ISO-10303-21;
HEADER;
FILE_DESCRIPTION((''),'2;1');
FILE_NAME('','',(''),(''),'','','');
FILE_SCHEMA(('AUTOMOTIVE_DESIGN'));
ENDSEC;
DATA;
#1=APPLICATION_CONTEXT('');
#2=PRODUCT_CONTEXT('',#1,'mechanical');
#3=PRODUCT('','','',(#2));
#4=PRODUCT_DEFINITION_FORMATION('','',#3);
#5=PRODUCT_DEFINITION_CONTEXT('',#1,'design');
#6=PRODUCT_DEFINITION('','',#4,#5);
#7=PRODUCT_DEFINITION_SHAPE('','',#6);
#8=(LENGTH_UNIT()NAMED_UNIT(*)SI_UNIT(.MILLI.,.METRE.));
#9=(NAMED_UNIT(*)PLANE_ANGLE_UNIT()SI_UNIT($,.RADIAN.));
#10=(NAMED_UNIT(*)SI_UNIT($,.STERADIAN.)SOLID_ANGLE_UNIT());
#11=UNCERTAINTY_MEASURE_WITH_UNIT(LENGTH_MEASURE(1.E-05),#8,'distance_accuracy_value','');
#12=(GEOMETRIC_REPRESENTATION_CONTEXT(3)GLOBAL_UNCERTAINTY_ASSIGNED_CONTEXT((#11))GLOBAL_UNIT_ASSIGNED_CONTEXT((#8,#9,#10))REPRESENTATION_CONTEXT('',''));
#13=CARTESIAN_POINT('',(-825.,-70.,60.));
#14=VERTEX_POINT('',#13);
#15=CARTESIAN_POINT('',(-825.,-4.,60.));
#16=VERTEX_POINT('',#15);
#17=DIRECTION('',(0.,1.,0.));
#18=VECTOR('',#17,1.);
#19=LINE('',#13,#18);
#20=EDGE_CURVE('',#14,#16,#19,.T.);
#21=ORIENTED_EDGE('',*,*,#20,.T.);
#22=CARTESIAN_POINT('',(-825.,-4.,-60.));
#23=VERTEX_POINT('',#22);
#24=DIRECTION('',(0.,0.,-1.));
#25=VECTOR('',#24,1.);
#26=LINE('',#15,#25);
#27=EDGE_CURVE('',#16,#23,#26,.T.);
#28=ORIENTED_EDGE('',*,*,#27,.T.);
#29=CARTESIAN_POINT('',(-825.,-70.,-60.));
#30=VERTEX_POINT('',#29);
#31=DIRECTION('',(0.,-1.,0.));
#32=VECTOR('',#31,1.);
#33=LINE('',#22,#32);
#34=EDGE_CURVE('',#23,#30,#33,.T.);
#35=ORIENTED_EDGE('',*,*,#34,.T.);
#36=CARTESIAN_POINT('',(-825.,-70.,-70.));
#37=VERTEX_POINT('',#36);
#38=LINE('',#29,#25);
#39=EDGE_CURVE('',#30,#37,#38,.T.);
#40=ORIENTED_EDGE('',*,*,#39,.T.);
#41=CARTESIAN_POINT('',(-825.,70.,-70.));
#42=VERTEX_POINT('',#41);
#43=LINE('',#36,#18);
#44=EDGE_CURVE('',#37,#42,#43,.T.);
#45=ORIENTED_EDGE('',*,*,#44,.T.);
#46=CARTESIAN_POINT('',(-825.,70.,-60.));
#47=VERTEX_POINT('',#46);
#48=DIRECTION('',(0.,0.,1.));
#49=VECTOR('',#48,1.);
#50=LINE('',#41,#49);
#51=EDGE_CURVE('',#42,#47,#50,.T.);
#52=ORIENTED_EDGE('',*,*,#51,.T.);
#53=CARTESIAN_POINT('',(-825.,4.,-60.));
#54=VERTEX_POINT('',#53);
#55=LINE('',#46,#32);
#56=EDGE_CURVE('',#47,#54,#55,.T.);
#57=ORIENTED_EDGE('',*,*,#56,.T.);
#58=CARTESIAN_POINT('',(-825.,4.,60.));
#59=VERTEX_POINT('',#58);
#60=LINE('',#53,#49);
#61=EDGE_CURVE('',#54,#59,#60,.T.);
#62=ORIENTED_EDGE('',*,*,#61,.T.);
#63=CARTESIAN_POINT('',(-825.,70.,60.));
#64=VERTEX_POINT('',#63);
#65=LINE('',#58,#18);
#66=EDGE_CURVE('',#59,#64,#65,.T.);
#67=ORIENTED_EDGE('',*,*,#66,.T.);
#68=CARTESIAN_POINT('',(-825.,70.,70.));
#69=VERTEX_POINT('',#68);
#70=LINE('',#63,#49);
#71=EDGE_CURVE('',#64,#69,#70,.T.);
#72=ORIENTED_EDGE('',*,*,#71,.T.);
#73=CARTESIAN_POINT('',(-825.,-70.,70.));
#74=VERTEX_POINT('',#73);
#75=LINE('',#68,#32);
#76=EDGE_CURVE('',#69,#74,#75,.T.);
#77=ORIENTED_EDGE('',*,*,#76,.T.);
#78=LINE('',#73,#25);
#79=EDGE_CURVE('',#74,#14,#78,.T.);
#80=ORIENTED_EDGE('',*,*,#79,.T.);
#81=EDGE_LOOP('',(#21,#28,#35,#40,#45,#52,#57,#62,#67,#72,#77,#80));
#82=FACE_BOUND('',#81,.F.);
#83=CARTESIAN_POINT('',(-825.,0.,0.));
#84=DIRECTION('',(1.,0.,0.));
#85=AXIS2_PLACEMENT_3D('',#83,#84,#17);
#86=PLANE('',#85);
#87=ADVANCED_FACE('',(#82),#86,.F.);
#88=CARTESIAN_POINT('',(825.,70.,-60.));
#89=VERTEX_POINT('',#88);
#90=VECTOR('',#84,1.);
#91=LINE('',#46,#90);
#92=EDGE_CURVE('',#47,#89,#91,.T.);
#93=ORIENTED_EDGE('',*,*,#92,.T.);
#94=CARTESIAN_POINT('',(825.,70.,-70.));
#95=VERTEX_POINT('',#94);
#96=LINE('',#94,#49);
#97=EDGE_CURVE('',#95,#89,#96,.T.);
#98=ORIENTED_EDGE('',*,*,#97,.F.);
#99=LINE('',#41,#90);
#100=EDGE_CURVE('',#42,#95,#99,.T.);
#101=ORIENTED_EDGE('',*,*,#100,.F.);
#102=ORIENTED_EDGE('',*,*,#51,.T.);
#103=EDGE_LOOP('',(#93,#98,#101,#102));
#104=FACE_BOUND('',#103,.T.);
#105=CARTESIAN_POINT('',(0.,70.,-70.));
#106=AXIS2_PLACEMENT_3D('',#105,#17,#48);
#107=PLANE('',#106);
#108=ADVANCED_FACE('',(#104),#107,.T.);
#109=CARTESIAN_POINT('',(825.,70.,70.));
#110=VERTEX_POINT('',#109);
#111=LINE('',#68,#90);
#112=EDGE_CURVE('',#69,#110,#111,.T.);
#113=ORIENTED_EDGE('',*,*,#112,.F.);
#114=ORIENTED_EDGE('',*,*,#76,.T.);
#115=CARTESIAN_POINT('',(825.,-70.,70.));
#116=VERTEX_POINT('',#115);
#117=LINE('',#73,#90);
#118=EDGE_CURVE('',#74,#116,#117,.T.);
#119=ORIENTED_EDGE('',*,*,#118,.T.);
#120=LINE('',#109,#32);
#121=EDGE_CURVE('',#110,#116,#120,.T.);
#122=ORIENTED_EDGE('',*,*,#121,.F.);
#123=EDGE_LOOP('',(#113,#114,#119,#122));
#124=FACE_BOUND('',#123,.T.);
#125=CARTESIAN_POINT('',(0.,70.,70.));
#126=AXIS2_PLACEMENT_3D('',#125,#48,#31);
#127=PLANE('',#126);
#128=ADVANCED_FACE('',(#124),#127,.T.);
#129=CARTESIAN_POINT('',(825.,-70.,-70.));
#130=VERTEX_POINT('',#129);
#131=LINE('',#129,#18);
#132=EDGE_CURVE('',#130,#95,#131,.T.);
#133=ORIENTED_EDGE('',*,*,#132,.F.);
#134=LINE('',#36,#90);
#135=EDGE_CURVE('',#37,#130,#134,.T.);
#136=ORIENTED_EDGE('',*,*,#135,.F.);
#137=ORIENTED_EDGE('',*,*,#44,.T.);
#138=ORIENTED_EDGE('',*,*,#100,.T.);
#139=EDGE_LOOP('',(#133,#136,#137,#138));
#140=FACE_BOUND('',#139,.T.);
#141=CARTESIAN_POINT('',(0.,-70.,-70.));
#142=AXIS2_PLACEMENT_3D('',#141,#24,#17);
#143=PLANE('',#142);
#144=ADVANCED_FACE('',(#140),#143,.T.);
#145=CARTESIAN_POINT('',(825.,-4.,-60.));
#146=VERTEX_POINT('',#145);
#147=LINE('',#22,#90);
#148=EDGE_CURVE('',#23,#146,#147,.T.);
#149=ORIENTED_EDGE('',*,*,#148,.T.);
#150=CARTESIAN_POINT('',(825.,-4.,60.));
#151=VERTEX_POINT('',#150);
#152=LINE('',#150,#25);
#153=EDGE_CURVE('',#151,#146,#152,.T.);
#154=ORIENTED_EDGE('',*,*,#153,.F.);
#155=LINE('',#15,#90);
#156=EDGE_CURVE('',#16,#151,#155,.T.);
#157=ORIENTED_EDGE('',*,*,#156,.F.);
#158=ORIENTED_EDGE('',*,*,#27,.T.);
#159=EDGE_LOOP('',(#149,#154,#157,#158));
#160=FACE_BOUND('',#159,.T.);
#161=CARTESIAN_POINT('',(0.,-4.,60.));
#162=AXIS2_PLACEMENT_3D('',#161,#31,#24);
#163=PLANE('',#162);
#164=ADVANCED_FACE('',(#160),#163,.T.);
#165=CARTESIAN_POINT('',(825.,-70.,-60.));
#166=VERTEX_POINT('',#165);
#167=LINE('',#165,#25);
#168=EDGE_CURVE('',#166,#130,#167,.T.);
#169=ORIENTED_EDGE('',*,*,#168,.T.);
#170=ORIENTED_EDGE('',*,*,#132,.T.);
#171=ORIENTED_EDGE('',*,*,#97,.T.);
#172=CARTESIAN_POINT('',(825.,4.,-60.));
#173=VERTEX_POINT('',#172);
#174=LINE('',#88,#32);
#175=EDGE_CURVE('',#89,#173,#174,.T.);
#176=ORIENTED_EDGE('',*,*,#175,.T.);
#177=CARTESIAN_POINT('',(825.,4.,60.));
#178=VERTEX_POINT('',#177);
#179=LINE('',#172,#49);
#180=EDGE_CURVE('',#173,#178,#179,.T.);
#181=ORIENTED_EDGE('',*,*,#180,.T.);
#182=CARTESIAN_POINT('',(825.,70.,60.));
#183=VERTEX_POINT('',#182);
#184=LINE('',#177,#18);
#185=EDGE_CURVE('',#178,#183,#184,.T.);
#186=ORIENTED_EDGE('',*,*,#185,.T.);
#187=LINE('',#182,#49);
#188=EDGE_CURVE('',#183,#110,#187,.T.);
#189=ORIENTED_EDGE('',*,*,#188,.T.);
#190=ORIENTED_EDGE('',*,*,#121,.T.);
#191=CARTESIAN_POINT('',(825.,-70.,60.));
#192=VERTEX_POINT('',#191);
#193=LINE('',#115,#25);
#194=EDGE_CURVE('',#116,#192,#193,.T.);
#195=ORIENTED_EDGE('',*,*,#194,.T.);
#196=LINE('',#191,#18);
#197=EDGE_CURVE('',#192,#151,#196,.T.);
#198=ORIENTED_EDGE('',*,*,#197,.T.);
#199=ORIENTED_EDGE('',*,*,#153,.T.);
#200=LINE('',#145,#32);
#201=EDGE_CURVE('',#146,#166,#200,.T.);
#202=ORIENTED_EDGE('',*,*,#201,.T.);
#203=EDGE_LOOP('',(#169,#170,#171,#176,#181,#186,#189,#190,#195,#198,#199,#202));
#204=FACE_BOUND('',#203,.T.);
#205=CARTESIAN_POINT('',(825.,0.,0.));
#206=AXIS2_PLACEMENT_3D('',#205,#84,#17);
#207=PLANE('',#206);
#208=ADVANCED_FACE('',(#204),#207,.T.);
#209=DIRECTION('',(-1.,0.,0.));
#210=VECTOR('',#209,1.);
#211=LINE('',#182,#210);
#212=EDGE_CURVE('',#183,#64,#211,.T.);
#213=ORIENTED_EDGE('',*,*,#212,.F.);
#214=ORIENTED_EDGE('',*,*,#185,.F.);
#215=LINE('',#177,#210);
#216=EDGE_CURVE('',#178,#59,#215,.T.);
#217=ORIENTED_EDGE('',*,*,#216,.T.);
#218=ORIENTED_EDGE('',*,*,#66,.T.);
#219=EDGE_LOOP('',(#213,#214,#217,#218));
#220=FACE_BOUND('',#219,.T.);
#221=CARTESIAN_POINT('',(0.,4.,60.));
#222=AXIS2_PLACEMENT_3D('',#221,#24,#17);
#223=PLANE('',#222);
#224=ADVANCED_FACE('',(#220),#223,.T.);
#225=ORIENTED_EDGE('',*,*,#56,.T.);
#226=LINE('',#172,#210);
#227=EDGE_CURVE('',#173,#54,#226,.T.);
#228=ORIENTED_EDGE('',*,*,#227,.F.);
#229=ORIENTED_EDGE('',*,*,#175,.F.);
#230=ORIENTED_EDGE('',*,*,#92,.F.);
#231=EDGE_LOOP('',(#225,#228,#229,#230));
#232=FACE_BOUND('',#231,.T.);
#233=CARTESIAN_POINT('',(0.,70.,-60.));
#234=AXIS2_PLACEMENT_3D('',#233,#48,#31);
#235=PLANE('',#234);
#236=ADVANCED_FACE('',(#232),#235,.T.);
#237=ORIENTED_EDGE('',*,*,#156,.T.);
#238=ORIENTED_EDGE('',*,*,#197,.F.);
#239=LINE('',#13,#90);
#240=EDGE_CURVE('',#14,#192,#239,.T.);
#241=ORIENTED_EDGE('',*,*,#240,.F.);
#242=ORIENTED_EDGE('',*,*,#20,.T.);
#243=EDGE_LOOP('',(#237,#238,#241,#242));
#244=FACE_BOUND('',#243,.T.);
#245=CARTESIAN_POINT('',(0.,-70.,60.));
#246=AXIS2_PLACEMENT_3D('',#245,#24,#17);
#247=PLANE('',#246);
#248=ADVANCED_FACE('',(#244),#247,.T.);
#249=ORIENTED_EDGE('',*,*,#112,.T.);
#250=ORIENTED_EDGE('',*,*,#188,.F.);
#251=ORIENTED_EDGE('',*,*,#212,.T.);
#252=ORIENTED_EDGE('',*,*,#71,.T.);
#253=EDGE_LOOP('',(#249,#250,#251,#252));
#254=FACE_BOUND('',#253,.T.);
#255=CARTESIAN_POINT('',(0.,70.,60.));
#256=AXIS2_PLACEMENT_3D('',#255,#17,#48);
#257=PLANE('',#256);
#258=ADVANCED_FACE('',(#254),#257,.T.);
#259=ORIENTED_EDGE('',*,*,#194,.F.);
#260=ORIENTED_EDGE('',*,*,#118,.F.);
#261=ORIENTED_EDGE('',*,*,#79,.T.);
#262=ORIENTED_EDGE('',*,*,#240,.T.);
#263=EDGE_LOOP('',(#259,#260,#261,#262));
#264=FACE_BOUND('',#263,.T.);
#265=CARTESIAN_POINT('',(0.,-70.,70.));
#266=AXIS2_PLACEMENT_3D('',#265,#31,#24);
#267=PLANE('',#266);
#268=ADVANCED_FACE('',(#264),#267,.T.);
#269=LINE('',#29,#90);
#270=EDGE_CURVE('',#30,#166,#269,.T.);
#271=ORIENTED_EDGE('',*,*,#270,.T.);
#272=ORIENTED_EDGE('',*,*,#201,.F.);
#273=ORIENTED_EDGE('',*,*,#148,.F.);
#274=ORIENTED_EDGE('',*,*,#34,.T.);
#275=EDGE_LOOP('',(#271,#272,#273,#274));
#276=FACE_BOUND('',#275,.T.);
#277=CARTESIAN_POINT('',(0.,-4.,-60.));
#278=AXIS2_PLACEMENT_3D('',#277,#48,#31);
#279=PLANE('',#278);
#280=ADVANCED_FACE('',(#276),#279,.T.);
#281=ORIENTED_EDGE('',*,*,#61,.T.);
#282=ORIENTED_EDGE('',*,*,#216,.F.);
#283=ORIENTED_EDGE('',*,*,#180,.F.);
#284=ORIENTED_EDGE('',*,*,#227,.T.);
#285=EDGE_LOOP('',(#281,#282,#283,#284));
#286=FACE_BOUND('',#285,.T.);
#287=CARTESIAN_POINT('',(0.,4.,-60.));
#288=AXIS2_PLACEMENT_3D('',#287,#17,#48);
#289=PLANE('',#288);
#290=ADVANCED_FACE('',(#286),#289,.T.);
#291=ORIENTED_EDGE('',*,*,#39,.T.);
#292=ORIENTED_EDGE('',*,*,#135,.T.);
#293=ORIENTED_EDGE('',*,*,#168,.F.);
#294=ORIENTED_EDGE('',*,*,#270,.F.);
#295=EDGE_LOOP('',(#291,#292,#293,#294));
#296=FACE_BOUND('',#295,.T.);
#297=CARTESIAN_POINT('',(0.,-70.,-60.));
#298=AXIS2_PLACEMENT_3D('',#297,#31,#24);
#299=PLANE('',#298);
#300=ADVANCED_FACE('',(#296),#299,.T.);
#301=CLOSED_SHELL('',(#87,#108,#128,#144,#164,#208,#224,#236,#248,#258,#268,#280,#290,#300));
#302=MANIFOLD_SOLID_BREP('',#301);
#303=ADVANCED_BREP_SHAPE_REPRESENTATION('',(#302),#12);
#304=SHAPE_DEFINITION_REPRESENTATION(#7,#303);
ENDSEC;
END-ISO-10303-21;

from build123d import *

# Parameters (mm, degrees)
F1_DEPTH = 825


with BuildPart() as f1:
    # F0 (on Right) → F1 (new body, symmetric)
    with BuildSketch(Plane.YZ):
        Polygon((70, 60), (70, 70), (-70, 70), (-70, 60), (-4, 60), (-4, -60), (-70, -60), (-70, -70), (70, -70), (70, -60), (4, -60), (4, 60), align=None)
    extrude(amount=F1_DEPTH, both=True)


solid = f1.part
